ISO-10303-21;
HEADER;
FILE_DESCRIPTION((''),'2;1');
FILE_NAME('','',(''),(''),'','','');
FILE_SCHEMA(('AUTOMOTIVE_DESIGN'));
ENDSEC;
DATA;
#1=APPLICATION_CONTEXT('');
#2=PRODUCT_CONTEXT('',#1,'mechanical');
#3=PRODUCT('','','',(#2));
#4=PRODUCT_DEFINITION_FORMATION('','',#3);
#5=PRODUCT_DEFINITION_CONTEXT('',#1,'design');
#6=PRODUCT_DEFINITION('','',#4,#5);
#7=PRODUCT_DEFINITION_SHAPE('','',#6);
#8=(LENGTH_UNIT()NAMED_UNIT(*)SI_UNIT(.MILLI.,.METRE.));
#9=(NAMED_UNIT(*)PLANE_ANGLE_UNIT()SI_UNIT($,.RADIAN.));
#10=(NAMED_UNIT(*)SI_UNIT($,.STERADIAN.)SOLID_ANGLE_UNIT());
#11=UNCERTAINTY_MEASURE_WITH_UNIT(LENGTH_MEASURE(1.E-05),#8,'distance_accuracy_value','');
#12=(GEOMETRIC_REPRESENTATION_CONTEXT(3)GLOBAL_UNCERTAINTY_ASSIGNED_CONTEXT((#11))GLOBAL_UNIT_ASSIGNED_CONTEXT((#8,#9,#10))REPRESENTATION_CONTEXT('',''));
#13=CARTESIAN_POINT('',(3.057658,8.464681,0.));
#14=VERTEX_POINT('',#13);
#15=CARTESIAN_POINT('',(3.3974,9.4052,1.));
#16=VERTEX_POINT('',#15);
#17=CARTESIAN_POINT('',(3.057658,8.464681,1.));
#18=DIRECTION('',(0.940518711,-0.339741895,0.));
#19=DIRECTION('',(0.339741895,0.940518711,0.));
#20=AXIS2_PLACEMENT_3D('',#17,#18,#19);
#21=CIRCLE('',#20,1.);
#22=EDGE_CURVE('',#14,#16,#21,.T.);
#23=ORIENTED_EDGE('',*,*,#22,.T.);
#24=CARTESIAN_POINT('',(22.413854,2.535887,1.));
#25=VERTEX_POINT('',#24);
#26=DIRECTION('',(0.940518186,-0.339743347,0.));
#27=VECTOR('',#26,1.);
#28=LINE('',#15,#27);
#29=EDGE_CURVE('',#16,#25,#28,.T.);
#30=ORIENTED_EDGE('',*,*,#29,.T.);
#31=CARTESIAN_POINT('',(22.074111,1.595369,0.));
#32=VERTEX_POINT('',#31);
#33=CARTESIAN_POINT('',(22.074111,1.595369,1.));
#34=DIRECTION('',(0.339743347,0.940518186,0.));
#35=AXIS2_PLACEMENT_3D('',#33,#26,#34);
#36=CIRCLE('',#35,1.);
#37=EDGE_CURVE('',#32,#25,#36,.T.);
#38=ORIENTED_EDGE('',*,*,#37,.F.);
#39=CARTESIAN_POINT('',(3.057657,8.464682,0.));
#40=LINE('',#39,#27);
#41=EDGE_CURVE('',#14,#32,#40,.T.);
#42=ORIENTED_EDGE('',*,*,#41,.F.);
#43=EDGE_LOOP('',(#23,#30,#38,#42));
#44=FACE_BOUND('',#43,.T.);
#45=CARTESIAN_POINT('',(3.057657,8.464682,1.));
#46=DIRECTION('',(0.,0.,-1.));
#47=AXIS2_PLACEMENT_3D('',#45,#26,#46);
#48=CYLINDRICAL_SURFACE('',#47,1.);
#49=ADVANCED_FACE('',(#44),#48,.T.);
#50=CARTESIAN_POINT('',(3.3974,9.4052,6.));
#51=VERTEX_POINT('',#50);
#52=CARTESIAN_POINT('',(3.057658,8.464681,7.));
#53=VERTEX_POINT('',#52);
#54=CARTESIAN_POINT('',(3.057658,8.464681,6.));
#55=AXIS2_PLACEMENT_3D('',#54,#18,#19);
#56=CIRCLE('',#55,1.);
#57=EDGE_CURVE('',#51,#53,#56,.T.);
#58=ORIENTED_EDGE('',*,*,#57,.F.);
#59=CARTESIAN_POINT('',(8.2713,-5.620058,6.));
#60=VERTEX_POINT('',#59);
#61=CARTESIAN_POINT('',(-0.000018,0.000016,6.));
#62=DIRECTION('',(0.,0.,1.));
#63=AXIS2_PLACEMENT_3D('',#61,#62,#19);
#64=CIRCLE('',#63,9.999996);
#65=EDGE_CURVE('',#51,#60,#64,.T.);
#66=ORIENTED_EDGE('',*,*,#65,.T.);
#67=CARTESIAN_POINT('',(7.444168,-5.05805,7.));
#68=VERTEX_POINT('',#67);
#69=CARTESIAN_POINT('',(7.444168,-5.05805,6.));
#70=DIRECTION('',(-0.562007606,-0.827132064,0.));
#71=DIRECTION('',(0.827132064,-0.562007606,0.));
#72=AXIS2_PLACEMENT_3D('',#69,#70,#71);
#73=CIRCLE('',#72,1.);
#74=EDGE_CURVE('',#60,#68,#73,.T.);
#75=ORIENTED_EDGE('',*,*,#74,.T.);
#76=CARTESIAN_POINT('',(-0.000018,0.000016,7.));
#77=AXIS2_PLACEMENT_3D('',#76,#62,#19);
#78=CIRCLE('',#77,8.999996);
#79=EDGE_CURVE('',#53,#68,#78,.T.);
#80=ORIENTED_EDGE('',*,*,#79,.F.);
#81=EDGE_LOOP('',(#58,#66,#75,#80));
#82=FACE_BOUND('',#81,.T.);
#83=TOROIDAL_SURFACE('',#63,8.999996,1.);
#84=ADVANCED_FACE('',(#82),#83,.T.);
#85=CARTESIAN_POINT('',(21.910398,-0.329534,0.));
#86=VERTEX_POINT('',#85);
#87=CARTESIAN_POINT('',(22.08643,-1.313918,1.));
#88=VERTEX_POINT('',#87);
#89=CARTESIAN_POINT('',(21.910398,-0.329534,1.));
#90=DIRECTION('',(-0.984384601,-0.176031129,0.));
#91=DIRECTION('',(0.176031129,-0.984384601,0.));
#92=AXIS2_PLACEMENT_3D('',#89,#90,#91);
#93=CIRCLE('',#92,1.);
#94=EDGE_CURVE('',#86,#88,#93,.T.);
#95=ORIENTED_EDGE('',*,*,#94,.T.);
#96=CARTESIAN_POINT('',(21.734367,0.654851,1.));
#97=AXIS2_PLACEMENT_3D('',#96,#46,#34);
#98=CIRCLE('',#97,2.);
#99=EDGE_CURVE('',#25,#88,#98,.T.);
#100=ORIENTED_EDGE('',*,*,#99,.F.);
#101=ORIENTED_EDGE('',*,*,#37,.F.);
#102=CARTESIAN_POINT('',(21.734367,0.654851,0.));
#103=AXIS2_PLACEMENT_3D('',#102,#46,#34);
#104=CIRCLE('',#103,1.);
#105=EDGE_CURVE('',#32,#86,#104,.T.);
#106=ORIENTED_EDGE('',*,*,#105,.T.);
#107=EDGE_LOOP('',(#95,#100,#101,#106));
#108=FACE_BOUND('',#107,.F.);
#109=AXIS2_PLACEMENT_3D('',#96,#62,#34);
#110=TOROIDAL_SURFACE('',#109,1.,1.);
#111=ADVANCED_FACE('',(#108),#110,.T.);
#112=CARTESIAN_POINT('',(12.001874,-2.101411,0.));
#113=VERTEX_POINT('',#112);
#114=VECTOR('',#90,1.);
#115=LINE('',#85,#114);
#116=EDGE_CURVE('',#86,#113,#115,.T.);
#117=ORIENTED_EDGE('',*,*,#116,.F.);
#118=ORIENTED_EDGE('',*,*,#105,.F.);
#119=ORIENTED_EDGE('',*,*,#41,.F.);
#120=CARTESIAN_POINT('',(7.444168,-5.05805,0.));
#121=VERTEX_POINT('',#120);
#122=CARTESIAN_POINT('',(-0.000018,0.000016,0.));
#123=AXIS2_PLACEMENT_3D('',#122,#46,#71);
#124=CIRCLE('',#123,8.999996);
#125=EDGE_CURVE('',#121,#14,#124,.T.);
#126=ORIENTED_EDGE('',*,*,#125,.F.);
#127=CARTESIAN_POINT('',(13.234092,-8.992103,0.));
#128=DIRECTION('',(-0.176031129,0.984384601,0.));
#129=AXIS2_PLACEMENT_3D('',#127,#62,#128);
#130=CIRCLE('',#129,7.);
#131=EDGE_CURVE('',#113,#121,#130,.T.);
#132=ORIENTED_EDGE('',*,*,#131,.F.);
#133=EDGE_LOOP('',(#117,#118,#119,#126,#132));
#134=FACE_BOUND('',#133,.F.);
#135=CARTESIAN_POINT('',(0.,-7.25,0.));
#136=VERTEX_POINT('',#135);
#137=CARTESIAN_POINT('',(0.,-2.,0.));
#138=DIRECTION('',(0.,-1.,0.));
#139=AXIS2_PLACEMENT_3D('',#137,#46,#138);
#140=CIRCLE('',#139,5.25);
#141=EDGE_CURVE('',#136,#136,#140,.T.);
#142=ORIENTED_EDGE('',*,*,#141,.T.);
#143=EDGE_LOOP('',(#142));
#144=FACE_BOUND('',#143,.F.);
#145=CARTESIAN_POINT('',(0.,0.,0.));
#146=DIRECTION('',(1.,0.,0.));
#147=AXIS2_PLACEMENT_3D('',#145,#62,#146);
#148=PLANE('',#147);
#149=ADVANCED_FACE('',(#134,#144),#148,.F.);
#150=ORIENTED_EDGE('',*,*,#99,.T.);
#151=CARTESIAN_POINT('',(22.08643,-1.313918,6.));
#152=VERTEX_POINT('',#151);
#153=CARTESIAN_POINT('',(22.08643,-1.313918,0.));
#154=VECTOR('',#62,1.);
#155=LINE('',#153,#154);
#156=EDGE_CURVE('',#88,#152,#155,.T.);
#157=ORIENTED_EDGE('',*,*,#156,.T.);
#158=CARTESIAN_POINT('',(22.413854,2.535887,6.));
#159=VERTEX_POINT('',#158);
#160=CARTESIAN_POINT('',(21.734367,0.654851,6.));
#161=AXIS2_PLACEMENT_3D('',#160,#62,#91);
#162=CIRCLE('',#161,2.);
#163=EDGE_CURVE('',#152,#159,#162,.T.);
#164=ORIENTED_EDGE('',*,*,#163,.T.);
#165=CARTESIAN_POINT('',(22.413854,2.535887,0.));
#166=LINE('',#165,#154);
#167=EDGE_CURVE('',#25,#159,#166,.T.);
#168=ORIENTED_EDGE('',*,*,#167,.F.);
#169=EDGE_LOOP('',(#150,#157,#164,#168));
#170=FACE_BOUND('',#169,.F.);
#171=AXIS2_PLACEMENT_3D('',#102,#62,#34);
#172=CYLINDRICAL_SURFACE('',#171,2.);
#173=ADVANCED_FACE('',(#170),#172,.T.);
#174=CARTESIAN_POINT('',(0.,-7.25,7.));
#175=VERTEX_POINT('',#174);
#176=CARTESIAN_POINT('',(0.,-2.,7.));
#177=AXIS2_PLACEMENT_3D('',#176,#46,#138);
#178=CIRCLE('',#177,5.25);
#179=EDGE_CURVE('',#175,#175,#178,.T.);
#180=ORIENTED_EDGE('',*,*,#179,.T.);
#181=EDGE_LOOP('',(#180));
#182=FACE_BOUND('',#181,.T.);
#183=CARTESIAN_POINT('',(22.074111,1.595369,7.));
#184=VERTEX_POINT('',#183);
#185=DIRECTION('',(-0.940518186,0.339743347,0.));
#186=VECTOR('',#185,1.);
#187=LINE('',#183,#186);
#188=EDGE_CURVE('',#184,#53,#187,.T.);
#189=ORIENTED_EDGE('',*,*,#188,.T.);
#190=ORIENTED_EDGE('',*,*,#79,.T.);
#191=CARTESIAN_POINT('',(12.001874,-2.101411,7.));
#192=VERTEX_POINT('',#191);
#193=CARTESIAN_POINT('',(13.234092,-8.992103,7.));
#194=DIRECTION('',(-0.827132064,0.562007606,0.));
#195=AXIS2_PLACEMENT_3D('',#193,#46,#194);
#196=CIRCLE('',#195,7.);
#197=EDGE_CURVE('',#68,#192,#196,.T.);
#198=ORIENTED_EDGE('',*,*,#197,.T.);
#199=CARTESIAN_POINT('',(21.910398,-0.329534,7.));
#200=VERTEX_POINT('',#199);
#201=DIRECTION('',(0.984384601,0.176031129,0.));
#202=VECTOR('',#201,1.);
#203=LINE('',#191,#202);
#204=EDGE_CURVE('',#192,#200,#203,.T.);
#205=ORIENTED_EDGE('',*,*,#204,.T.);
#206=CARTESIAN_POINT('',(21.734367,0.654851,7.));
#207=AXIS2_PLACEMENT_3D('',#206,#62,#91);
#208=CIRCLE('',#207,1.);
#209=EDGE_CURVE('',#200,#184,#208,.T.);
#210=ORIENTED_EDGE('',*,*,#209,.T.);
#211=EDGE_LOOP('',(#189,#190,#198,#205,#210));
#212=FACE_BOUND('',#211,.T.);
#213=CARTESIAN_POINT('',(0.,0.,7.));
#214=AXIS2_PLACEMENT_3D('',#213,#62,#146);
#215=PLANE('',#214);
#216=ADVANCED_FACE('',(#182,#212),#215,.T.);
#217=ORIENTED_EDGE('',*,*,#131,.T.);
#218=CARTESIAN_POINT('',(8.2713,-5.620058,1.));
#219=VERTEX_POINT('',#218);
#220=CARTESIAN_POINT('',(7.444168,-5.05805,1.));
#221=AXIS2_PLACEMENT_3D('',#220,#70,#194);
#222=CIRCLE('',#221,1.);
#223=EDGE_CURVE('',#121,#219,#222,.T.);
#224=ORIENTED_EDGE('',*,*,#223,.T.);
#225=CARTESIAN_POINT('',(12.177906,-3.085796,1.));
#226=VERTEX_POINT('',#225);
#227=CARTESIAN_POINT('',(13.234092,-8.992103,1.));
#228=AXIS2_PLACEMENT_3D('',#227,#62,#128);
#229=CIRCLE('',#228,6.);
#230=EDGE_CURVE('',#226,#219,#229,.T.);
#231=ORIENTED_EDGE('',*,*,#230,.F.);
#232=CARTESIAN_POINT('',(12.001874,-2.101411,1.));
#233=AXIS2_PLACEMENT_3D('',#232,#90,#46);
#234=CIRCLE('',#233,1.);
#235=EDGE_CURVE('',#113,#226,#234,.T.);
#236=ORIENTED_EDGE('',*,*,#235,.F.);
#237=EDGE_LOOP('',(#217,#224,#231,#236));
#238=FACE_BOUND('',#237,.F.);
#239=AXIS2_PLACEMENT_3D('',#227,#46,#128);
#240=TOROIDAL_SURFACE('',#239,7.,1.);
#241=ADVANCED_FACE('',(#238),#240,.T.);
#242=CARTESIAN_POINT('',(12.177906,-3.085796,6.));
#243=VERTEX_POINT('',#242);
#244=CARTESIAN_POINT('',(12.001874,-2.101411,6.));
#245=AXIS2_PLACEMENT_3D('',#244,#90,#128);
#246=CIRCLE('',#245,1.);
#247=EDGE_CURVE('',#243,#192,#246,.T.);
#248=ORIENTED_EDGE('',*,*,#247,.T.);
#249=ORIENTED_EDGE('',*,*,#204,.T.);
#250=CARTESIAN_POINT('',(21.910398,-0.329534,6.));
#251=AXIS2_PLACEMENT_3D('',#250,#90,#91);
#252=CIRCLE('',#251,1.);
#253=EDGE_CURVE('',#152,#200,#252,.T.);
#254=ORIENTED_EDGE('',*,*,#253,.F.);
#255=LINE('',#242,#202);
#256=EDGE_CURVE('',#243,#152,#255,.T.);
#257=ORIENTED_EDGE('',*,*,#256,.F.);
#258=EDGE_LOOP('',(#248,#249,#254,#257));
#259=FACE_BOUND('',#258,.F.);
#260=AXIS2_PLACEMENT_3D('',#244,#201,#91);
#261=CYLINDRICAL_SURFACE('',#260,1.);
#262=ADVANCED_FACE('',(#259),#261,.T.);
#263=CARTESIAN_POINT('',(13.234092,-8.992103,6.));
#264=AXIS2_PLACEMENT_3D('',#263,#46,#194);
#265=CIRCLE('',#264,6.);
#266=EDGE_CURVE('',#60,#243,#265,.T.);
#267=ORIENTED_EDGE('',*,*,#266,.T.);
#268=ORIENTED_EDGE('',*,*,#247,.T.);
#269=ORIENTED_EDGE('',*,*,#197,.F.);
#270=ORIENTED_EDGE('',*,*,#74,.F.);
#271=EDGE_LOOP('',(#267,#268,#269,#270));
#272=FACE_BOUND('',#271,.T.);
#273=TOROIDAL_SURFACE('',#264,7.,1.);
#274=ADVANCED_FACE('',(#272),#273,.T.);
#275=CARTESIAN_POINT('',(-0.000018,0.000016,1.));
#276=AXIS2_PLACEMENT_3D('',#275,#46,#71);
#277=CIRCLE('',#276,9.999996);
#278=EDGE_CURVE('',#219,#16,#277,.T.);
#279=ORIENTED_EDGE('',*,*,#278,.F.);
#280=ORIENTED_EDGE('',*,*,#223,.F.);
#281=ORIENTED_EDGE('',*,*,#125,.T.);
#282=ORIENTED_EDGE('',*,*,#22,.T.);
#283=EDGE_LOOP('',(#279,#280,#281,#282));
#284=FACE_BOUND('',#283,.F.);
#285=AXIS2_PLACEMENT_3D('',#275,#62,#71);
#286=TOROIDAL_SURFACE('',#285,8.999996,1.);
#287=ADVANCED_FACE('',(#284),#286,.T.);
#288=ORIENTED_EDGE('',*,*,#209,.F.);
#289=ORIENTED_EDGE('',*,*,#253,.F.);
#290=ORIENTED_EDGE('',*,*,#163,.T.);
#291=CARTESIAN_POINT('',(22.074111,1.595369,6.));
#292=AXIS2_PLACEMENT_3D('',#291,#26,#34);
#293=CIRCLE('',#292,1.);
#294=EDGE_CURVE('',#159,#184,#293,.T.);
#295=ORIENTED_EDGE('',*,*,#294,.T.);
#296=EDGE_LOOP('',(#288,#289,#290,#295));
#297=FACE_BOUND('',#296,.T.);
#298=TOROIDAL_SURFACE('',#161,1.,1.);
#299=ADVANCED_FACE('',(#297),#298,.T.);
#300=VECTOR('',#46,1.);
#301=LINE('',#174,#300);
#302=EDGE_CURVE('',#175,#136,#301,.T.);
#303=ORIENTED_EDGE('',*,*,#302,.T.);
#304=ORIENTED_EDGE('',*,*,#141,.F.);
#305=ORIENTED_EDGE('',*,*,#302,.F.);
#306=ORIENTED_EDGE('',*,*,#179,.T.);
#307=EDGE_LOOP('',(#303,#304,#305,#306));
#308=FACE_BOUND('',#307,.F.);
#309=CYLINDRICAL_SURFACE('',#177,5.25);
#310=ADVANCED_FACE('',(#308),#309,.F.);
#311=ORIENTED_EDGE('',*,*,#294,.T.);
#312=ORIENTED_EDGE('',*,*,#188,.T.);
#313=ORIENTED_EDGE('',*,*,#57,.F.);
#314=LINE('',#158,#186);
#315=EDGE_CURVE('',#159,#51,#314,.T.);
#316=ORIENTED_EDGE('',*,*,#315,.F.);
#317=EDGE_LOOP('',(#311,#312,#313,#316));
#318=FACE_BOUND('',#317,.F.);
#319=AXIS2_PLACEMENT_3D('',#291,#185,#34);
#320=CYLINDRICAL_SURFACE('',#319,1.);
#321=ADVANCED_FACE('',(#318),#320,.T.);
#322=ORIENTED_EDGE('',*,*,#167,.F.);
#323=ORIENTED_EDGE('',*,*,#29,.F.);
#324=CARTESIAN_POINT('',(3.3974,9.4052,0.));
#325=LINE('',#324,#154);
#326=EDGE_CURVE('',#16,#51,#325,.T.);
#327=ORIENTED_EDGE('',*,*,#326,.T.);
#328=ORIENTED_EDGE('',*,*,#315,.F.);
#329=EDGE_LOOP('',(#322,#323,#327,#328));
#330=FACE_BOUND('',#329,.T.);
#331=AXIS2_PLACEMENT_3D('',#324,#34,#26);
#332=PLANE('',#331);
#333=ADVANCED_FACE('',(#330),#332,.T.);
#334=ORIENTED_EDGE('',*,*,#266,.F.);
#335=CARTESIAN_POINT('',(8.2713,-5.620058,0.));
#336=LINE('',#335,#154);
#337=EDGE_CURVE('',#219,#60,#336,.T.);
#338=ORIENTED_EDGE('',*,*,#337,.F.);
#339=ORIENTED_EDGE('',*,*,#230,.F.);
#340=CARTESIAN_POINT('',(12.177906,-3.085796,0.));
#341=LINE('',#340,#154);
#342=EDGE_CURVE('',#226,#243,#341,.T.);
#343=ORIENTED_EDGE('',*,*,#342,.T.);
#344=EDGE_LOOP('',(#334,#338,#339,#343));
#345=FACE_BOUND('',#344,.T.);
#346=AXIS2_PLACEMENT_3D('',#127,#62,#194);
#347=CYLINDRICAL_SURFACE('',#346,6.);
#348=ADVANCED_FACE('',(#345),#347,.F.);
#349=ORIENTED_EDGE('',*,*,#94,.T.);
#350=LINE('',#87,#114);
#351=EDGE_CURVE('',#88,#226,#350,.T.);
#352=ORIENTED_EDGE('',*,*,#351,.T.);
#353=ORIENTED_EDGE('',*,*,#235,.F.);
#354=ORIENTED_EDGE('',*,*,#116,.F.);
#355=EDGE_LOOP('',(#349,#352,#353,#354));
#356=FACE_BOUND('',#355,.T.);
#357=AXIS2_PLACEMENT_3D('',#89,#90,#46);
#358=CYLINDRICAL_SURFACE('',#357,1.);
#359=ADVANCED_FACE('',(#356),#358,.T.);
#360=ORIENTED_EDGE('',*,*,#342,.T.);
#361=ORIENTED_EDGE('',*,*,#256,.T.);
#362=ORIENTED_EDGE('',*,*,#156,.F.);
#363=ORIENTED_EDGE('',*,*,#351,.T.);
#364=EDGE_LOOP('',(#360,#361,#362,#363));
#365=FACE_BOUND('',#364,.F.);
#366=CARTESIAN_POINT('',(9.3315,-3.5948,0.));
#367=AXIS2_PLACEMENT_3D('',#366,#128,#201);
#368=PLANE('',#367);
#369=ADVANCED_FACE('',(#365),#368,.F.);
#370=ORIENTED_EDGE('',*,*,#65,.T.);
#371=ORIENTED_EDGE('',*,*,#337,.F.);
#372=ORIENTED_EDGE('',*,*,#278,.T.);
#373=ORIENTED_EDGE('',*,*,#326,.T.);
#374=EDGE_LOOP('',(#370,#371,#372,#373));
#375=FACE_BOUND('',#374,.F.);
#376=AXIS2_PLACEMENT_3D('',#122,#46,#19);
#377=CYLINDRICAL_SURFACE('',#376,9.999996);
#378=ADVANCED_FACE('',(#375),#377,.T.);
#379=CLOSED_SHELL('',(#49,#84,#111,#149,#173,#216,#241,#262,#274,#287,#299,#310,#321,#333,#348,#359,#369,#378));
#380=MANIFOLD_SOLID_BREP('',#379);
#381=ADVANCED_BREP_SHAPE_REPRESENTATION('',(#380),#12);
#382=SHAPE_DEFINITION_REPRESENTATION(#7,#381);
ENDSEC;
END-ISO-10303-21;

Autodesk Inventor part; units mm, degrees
ref_plane "YZ Plane" through (0, 0, 0) normal (1, 0, 0) x (0, 1, 0)
ref_plane "XZ Plane" through (0, 0, 0) normal (0, 1, 0) x (-1, 0, 0)
ref_plane "XY Plane" through (0, 0, 0) normal (0, 0, 1) x (1, 0, 0)
sketch "Sketch1" plane through (0, 0, 0) normal (0, 0, 1) x (1, 0, 0)
  arc A0 (3.3974, 9.4052) -> (9.3315, -3.5948) centre (0, 0) ccw
  line L0 (3.3974, 9.4052) -> (29.434, 0)
  line L1 (9.3315, -3.5948) -> (29.434, 0)
  dimension "d0" = 20
  dimension "d33" = 30
  dimension "d34" = 13
extrude "Extrusion1" add sketch "Sketch1" along normal blind 7
sketch "Sketch2" plane through (0, 0, 7) normal (0, 0, 1) x (1, 0, 0)
  arc A0 (3.3974, 9.4052) -> (9.3315, -3.5948) centre (0, 0) ccw projected
  point P0 (0, -2)
  dimension "d12" = 2
hole "Hole1" at (0, -2, 7) direction (0, 0, -1) diameter 10.5 depth 8 tip angle 118
fillet "Fillet1" radius 2 1 edges at (29.434, 0, 3.5)
fillet "Fillet2" radius 6 1 edges at (9.3315, -3.5948, 3.5)
fillet "Fillet3" radius 1 8 edges at (-9.5121, -3.0855, 7) (17.1322, -2.1999, 7) (23.7272, 0.4854, 7) (12.9056, 5.9705, 7) (23.7272, 0.4854, 0) (12.9056, 5.9705, 0) (-9.5121, -3.0855, 0) (17.1322, -2.1999, 0)
properties part number "ExtruderQuickReleaseTensionCam" material "ABS Plastic"
